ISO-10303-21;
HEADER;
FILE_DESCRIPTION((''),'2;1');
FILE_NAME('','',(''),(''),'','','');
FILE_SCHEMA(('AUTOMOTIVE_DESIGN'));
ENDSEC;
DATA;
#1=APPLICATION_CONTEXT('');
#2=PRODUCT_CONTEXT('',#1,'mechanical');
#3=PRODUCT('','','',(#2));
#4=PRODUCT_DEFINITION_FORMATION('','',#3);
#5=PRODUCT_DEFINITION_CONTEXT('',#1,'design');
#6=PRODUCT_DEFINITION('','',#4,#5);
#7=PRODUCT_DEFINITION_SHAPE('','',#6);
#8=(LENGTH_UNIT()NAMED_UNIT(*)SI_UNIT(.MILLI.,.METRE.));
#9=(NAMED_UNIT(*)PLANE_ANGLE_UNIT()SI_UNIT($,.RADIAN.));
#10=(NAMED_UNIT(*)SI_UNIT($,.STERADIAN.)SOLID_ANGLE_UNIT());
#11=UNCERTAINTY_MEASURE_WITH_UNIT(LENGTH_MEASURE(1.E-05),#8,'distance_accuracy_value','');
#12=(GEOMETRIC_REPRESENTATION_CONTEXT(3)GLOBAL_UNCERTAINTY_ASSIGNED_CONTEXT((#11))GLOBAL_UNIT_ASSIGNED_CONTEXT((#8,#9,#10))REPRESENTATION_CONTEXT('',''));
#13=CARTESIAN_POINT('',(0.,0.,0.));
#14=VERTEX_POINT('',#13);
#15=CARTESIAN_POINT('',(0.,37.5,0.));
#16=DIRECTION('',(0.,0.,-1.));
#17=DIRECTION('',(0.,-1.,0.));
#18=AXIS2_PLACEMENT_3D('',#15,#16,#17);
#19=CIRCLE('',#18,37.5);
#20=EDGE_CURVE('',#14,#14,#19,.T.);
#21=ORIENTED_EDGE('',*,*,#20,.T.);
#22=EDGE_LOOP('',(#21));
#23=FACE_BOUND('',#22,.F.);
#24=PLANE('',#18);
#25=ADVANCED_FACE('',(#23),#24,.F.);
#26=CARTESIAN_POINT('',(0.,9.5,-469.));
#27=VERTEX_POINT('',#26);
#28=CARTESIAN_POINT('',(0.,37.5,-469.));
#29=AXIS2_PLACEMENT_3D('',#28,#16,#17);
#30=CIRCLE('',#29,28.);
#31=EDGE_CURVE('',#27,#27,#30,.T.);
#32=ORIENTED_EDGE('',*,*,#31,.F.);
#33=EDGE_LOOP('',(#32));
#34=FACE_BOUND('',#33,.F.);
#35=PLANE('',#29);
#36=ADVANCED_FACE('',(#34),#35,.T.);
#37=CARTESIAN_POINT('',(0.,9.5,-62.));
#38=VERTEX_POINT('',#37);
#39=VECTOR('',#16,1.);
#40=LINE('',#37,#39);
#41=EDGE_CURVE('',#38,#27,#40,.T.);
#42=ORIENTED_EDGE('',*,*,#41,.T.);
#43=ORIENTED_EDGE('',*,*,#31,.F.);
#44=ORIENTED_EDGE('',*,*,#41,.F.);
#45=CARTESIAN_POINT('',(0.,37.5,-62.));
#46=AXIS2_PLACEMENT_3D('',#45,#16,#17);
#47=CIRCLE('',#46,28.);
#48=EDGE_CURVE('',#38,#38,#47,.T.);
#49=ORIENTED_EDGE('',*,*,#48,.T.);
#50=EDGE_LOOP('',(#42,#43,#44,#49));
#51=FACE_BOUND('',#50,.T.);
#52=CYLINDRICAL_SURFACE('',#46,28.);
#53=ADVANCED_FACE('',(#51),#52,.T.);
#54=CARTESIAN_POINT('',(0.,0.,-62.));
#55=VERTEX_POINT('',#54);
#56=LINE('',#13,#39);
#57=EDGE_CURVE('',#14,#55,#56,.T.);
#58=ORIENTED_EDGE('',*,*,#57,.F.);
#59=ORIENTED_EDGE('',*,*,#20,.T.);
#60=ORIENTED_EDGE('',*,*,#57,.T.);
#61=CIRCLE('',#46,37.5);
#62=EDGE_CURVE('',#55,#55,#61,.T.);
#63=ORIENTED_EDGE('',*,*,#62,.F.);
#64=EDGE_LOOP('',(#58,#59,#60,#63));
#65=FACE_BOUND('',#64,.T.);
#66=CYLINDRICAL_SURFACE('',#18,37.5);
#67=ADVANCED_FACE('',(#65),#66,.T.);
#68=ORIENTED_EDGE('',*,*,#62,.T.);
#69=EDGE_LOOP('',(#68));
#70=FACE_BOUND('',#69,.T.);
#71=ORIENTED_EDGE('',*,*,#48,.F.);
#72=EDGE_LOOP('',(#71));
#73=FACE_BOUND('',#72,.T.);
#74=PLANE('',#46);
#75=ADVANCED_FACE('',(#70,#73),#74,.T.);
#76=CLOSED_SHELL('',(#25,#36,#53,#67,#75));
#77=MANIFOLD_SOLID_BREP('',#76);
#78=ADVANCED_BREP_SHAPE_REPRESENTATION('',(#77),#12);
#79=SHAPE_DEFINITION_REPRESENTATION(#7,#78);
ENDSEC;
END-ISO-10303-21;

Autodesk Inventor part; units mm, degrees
ref_plane "YZ Plane" through (0, 0, 0) normal (1, 0, 0) x (0, 1, 0)
ref_plane "XZ Plane" through (0, 0, 0) normal (0, 1, 0) x (-1, 0, 0)
ref_plane "XY Plane" through (0, 0, 0) normal (0, 0, 1) x (1, 0, 0)
sketch "Sketch3" plane through (0, 0, 0) normal (1, 0, 0) x (0, 1, 0)
  line L0 (0, 0) -> (37.5, 0)
  line L1 (0, 0) -> (0, -62)
  line L2 (0, -62) -> (9.5, -62)
  line L3 (9.5, -62) -> (9.5, -469)
  line L4 (37.5, 0) -> (37.5, -469)
  line L5 (37.5, -469) -> (9.5, -469)
  dimension "d3" = 37.5
  dimension "d4" = 62
  dimension "d8" = 28
  dimension "d10" = 469
revolve "Revolution1" add sketch "Sketch3" angle 360 about axis through (0, 37.5, 0) along (0, 0, -1)
properties part number "CilindroHidraulico_2"
